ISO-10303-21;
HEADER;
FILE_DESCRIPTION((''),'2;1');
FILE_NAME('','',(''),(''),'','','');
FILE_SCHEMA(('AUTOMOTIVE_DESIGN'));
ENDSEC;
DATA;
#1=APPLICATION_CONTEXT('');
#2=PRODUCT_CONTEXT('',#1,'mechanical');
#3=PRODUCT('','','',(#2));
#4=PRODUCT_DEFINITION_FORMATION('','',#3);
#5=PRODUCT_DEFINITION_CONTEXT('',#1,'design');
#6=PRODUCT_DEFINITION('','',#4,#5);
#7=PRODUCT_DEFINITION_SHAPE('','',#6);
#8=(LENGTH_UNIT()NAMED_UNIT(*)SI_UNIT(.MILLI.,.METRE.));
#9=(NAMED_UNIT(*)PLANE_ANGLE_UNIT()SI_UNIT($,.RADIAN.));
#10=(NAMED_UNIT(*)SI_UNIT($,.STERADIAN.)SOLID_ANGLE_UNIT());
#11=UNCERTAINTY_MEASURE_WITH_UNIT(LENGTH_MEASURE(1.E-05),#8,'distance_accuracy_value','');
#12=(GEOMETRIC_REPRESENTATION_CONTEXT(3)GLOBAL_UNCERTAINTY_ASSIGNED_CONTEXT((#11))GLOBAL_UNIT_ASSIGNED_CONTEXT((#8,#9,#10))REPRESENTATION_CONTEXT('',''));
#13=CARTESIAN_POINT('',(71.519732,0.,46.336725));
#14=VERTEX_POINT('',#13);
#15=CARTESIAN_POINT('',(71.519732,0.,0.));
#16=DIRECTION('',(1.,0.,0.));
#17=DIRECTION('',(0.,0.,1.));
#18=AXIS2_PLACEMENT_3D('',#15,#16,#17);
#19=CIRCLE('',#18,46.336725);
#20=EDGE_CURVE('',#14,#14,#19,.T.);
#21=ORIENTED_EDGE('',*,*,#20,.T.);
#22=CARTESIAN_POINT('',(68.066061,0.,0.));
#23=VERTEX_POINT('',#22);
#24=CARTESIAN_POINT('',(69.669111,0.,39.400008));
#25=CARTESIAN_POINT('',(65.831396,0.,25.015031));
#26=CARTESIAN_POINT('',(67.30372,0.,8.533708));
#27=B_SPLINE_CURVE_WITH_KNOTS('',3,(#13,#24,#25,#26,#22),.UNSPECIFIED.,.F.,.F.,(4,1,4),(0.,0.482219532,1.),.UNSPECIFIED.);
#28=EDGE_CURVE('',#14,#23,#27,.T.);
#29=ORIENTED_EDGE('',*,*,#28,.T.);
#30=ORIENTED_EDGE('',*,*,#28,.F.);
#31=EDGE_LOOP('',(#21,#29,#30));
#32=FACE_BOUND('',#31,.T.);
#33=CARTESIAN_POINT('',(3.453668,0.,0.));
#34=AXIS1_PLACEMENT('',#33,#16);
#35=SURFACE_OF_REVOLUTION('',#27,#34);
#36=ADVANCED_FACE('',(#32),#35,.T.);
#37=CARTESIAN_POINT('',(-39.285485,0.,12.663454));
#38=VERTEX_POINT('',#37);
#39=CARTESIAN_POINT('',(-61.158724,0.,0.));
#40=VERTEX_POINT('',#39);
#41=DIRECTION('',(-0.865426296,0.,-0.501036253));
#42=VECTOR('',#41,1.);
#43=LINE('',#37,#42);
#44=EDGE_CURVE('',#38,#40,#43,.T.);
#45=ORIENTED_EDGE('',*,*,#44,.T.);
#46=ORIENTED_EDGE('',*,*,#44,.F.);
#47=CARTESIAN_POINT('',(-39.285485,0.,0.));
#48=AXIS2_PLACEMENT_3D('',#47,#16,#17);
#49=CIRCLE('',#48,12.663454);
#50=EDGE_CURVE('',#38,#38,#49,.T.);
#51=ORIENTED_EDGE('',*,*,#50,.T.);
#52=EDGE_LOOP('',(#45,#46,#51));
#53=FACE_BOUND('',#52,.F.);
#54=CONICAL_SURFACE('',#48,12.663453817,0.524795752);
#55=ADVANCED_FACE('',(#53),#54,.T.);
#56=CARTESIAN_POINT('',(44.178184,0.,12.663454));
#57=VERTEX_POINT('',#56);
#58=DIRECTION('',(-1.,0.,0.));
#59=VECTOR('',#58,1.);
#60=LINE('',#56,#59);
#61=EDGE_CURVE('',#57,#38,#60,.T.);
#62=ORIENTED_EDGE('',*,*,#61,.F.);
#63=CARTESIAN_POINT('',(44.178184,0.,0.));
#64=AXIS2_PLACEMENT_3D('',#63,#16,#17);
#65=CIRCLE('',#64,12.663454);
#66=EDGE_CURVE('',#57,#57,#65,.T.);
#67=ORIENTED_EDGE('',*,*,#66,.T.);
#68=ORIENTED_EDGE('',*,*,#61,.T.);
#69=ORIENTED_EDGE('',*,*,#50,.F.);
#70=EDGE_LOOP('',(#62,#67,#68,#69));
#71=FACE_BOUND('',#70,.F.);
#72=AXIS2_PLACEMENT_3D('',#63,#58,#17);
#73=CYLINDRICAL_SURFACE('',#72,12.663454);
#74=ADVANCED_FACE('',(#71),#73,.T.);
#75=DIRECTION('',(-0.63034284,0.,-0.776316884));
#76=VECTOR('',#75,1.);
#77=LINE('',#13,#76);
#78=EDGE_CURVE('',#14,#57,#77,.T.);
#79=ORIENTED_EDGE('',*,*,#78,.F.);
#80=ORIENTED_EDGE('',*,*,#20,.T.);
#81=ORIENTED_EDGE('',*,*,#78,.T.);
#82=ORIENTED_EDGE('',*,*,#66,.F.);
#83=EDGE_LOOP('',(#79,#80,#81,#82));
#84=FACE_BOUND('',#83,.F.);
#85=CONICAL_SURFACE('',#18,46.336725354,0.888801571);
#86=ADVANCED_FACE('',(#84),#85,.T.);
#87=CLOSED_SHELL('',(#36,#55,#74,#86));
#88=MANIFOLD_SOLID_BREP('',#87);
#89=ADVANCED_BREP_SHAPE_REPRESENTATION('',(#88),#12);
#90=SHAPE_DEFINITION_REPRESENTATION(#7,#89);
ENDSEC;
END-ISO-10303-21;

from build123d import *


with BuildPart() as f1:
    # F0 (on Front) → F1 (revolve)
    with BuildSketch(Plane.XZ):
        with BuildLine():
            Line((-39.2854847014, 12.6634538174), (-61.1587241292, 0))
            Line((-61.1587241292, 0), (68.0660605431, 0))
            add(Edge.make_bspline(
                [(71.5197324753, 46.3367253542), (69.6691113575, 39.4000084157), (65.8313963848, 25.0150312852), (67.3037200873, 8.533707529), (68.0660605431, 0)],
                knots=[0, 0, 0, 0, 0.4822195319, 1, 1, 1, 1], degree=3))
            Line((71.5197324753, 46.3367253542), (44.1781841218, 12.6634538174))
            Line((44.1781841218, 12.6634538174), (-39.2854847014, 12.6634538174))
        make_face()
    revolve(axis=Axis((3.4536682069, 0, 0), (1, 0, 0)))


solid = f1.part
